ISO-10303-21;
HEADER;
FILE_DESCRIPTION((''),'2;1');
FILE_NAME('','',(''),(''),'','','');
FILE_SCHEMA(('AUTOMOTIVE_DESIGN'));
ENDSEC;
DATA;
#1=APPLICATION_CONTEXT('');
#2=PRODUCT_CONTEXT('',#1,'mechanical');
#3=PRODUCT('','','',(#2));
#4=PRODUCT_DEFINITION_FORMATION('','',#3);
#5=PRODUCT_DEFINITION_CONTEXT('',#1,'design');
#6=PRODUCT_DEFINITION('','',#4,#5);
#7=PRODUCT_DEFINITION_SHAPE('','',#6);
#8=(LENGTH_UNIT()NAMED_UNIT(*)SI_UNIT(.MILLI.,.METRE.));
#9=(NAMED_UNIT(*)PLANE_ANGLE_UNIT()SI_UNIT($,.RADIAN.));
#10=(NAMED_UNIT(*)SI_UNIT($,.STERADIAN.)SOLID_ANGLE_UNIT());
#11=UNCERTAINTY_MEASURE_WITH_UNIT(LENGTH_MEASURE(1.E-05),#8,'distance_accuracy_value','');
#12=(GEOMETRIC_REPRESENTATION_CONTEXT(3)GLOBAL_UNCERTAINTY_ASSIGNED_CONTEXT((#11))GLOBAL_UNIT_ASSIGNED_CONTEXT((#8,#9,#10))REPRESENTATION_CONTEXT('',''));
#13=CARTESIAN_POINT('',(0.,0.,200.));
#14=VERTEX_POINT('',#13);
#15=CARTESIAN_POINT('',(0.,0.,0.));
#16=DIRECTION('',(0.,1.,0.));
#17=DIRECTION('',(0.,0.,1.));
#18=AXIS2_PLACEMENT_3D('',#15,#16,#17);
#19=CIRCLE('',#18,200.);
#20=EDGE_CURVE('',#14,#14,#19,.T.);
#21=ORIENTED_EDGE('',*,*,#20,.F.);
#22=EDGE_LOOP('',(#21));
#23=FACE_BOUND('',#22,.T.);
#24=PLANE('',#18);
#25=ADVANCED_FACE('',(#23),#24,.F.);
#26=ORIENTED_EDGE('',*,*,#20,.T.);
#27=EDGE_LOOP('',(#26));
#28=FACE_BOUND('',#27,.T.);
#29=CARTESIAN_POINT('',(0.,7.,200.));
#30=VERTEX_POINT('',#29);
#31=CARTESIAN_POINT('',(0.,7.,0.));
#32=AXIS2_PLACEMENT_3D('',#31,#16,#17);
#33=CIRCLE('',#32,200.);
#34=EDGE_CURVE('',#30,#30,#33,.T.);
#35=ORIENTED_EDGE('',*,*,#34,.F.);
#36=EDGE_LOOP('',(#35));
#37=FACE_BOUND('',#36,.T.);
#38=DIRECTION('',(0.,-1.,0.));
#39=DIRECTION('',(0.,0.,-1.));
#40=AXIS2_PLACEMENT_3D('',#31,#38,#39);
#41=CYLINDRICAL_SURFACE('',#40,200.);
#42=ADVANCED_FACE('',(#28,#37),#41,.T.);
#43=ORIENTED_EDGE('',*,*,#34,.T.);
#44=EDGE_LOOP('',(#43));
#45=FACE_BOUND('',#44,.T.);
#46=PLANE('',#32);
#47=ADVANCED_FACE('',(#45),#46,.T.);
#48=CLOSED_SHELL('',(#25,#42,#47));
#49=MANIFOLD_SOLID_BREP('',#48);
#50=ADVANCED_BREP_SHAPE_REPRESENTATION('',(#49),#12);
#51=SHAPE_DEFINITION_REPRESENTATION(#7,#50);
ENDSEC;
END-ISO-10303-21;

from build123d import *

# Parameters (mm, degrees)
SKETCH1_R           = 200
BOSS_EXTRUDE1_DEPTH = 7


with BuildPart() as part:
    # Sketch1 → Boss-Extrude1 (new body)
    with BuildSketch(Plane(origin=(0, 0, 0), x_dir=(1, 0, 0), z_dir=(0, 1, 0))):
        with Locations(Location((0, 0, 0), (0, 0, 270))):
            Circle(SKETCH1_R)
    extrude(amount=BOSS_EXTRUDE1_DEPTH)


solid = part.part
